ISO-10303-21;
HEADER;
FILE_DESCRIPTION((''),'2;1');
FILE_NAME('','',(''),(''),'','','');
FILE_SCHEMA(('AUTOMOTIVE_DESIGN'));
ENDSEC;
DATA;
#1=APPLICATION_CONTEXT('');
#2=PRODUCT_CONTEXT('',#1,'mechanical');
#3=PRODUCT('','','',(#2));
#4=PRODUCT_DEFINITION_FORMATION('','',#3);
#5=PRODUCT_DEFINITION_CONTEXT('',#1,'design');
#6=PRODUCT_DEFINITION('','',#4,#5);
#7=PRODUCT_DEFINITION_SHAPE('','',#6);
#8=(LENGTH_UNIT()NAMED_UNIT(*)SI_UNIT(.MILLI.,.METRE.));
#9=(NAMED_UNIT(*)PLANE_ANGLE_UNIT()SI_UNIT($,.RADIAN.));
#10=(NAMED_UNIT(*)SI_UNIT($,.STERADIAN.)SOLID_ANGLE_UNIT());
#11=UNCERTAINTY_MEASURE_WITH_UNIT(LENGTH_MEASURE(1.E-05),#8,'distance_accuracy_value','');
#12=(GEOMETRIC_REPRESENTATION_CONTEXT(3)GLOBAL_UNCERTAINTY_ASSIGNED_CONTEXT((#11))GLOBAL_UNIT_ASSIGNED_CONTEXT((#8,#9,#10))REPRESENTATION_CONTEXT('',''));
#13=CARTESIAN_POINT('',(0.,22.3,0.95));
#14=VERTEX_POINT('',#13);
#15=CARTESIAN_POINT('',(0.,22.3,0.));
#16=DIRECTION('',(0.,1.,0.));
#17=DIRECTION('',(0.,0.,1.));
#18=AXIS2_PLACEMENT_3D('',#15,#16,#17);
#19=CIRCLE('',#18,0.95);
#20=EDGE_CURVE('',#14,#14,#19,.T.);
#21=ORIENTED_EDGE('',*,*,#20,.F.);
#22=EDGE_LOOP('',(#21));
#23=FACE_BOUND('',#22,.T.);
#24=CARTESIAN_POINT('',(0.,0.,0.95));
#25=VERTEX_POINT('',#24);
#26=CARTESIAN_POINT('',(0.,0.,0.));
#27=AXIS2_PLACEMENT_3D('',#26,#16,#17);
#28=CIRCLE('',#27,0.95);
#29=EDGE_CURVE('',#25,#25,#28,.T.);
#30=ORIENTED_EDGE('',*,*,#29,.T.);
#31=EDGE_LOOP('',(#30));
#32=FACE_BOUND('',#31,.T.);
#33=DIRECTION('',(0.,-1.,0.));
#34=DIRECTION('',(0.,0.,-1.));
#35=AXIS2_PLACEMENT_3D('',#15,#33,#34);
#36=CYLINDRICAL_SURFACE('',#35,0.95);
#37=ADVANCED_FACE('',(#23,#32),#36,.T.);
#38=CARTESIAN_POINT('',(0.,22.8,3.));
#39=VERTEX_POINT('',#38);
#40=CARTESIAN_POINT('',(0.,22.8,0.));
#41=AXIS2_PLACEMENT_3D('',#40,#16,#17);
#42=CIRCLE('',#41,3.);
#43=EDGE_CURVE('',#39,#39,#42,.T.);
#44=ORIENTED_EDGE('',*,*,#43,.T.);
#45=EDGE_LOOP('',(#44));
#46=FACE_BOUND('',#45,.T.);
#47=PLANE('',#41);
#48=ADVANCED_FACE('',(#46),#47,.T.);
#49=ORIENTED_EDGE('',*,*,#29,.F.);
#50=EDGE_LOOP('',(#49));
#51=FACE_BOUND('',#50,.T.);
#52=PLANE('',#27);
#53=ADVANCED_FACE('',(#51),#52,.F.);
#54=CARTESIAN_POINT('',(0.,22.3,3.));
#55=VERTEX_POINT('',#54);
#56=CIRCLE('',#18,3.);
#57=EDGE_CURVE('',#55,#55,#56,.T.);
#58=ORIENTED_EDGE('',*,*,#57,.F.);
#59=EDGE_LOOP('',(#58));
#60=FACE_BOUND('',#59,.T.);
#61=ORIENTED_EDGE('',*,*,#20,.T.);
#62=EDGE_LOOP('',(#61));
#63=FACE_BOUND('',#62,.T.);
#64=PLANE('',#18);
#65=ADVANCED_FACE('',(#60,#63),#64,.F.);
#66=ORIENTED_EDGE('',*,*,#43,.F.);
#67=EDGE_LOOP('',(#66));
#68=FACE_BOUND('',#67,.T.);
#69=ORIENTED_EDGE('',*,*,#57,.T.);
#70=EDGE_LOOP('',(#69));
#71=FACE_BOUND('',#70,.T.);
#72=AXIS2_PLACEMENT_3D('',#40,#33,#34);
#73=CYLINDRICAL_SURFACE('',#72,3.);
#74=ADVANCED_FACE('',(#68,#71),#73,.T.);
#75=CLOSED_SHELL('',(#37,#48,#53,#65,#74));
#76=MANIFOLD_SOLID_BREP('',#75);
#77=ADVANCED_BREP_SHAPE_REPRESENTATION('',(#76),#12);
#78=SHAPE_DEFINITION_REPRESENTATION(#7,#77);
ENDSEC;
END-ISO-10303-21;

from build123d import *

# Parameters (mm, degrees)
SKETCH_1_R      = 0.95
EXTRUDE_1_DEPTH = 22.3
SKETCH_3_R      = 3
EXTRUDE_2_DEPTH = 0.5


with BuildPart() as part:
    # Эскиз1 → Бобышка-Вытянуть1 (new body)
    with BuildSketch(Plane(origin=(0, 0, 0), x_dir=(1, 0, 0), z_dir=(0, 1, 0))):
        with Locations(Location((0, 0, 0), (0, 0, 270))):
            Circle(SKETCH_1_R)
    extrude(amount=EXTRUDE_1_DEPTH)

    # Эскиз3 → Бобышка-Вытянуть2 (add)
    with BuildSketch(Plane(origin=(0, 22.3, 0), x_dir=(1, 0, 0), z_dir=(0, 1, 0))):
        with Locations(Location((0, 0, 0), (0, 0, 270))):
            Circle(SKETCH_3_R)
    extrude(amount=EXTRUDE_2_DEPTH)


solid = part.part
